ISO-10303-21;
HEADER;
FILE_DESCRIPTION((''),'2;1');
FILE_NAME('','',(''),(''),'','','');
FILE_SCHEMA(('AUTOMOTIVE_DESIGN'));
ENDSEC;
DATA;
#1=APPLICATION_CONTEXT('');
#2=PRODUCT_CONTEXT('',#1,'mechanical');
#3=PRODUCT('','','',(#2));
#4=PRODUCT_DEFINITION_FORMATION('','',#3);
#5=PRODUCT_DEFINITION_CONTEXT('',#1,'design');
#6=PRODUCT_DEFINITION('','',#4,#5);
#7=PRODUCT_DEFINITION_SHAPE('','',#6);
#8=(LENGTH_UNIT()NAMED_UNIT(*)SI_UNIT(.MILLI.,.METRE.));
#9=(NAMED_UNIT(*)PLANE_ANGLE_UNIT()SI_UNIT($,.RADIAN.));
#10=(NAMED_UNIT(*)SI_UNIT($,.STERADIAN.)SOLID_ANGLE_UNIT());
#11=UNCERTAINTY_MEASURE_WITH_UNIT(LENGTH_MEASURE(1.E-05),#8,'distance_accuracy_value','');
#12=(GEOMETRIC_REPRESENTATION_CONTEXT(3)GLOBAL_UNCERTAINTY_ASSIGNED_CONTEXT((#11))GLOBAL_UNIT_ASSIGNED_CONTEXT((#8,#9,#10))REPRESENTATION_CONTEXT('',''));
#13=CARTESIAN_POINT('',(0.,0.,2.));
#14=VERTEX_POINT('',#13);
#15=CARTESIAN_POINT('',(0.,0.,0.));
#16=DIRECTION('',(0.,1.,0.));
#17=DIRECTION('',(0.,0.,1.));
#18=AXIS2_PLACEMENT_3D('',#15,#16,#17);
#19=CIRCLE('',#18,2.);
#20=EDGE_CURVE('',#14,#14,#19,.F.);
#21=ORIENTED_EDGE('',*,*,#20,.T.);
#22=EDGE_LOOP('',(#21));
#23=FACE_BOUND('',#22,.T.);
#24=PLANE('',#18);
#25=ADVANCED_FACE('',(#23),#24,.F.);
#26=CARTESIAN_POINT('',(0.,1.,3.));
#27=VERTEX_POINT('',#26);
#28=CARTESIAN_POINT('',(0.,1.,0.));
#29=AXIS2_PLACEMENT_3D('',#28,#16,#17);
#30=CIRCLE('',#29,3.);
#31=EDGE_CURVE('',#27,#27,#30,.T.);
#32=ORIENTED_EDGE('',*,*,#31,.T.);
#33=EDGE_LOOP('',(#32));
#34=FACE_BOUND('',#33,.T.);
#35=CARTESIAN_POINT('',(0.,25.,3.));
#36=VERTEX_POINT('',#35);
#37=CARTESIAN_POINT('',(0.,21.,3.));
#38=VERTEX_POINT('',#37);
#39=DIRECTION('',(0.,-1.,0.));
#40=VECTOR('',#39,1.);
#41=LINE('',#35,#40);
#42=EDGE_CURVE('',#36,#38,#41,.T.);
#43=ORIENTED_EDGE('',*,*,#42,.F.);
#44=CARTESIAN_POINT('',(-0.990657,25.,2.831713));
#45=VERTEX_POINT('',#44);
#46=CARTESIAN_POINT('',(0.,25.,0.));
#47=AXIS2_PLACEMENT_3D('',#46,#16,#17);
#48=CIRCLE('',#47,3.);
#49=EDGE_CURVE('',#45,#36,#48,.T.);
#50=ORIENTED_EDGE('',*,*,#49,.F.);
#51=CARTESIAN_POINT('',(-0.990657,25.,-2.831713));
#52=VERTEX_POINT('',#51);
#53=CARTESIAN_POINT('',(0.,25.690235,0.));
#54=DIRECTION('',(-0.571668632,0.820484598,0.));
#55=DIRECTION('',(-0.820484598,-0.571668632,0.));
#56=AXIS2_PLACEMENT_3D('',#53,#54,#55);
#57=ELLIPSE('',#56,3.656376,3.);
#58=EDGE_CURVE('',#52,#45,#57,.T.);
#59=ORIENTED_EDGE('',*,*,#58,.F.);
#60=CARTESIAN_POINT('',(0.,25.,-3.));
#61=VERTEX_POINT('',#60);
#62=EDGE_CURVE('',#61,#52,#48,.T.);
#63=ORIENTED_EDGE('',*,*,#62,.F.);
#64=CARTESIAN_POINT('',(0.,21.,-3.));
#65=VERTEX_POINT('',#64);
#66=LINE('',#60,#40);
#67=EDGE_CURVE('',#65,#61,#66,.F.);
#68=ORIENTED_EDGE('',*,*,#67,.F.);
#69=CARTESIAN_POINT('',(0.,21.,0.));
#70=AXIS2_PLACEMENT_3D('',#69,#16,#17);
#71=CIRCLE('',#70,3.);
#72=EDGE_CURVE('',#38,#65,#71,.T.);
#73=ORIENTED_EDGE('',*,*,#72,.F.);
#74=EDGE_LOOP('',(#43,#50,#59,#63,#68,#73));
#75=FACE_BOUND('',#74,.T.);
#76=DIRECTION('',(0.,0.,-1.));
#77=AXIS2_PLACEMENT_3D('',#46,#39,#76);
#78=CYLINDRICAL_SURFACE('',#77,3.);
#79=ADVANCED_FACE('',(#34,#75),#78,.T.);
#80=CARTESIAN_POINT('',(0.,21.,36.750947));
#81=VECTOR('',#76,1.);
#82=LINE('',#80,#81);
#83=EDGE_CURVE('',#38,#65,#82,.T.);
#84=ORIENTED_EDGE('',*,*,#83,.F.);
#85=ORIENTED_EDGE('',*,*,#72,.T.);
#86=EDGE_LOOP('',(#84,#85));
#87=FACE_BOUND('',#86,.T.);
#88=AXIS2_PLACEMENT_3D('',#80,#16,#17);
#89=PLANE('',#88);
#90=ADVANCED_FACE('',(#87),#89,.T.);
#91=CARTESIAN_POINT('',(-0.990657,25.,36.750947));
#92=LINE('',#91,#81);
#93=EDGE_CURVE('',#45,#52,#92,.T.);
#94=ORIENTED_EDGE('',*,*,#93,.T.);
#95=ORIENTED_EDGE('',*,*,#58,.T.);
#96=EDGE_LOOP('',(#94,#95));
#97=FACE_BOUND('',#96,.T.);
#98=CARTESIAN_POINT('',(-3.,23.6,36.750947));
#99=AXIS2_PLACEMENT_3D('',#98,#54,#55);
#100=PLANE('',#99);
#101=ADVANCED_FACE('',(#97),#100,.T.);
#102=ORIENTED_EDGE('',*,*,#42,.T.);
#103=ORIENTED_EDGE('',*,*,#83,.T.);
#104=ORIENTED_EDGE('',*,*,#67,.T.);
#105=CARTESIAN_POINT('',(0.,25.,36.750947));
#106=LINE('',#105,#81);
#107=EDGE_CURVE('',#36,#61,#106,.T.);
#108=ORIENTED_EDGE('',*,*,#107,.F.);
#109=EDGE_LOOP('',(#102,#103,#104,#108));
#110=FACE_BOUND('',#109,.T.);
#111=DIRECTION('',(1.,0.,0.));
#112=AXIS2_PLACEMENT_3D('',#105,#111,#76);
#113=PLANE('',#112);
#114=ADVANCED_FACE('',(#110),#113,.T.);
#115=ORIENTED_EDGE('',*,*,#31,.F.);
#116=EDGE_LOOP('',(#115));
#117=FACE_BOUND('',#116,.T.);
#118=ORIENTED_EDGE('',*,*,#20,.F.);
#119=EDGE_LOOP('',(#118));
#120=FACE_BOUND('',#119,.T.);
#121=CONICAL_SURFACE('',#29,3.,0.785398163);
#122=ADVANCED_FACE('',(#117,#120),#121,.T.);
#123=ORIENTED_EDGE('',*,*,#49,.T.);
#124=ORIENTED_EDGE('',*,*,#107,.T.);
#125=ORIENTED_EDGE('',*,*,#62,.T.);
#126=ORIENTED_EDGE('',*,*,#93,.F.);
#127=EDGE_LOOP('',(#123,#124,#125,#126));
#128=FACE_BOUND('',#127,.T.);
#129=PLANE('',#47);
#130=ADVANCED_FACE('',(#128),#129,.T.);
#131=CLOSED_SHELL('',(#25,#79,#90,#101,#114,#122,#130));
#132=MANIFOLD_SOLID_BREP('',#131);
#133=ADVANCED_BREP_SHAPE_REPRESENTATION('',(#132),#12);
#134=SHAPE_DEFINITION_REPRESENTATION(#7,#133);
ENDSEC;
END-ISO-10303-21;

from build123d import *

# Parameters (mm, degrees)
SKETCH_1_R               = 3
EXTRUDE_1_DEPTH          = 25
CHAMFER_1_SIZE           = 1
CUT_EXTRUDE_1_DEPTH      = 26.357444666
CUT_EXTRUDE_1_DEPTH_BACK = 26.357444666
CUT_EXTRUDE_2_DEPTH      = 26.357444666
CUT_EXTRUDE_2_DEPTH_BACK = 26.357444666


with BuildPart() as part:
    # 草图1 → 凸台-拉伸1 (new body)
    with BuildSketch(Plane(origin=(0, 0, 0), x_dir=(1, 0, 0), z_dir=(0, 1, 0))):
        with Locations(Location((0, 0, 0), (0, 0, 270))):
            Circle(SKETCH_1_R)
    extrude(amount=EXTRUDE_1_DEPTH)

    # 倒角1
    chamfer_1_edges = [part.edges().sort_by_distance(p)[0] for p in [
        (0, 0, -3),
    ]]
    chamfer(chamfer_1_edges, length=CHAMFER_1_SIZE)

    # 草图2 → 切除-拉伸1 (cut, two sides: drawn at the far end of the back side and taken through both)
    with BuildSketch(Plane.XY.offset(-CUT_EXTRUDE_1_DEPTH_BACK)):
        Polygon((-52.748448143, -11.06198798), (-3, 23.6), (-0.990656871, 25), (48.757791272, 59.66198798), (-20.566184689, 159.158884265), (-122.072424103, 88.434908305), align=None)
    extrude(amount=CUT_EXTRUDE_1_DEPTH + CUT_EXTRUDE_1_DEPTH_BACK, mode=Mode.SUBTRACT)

    # 草图3 → 切除-拉伸2 (cut, two sides: drawn at the far end of the back side and taken through both)
    with BuildSketch(Plane.XY.offset(-CUT_EXTRUDE_2_DEPTH_BACK)):
        Polygon((0, 85.358713248), (0, 25), (0, 21), (3, 21), (63.358713248, 21), (149.384538564, 105.689163643), (86.025825316, 170.047876891), align=None)
    extrude(amount=CUT_EXTRUDE_2_DEPTH + CUT_EXTRUDE_2_DEPTH_BACK, mode=Mode.SUBTRACT)


solid = part.part
